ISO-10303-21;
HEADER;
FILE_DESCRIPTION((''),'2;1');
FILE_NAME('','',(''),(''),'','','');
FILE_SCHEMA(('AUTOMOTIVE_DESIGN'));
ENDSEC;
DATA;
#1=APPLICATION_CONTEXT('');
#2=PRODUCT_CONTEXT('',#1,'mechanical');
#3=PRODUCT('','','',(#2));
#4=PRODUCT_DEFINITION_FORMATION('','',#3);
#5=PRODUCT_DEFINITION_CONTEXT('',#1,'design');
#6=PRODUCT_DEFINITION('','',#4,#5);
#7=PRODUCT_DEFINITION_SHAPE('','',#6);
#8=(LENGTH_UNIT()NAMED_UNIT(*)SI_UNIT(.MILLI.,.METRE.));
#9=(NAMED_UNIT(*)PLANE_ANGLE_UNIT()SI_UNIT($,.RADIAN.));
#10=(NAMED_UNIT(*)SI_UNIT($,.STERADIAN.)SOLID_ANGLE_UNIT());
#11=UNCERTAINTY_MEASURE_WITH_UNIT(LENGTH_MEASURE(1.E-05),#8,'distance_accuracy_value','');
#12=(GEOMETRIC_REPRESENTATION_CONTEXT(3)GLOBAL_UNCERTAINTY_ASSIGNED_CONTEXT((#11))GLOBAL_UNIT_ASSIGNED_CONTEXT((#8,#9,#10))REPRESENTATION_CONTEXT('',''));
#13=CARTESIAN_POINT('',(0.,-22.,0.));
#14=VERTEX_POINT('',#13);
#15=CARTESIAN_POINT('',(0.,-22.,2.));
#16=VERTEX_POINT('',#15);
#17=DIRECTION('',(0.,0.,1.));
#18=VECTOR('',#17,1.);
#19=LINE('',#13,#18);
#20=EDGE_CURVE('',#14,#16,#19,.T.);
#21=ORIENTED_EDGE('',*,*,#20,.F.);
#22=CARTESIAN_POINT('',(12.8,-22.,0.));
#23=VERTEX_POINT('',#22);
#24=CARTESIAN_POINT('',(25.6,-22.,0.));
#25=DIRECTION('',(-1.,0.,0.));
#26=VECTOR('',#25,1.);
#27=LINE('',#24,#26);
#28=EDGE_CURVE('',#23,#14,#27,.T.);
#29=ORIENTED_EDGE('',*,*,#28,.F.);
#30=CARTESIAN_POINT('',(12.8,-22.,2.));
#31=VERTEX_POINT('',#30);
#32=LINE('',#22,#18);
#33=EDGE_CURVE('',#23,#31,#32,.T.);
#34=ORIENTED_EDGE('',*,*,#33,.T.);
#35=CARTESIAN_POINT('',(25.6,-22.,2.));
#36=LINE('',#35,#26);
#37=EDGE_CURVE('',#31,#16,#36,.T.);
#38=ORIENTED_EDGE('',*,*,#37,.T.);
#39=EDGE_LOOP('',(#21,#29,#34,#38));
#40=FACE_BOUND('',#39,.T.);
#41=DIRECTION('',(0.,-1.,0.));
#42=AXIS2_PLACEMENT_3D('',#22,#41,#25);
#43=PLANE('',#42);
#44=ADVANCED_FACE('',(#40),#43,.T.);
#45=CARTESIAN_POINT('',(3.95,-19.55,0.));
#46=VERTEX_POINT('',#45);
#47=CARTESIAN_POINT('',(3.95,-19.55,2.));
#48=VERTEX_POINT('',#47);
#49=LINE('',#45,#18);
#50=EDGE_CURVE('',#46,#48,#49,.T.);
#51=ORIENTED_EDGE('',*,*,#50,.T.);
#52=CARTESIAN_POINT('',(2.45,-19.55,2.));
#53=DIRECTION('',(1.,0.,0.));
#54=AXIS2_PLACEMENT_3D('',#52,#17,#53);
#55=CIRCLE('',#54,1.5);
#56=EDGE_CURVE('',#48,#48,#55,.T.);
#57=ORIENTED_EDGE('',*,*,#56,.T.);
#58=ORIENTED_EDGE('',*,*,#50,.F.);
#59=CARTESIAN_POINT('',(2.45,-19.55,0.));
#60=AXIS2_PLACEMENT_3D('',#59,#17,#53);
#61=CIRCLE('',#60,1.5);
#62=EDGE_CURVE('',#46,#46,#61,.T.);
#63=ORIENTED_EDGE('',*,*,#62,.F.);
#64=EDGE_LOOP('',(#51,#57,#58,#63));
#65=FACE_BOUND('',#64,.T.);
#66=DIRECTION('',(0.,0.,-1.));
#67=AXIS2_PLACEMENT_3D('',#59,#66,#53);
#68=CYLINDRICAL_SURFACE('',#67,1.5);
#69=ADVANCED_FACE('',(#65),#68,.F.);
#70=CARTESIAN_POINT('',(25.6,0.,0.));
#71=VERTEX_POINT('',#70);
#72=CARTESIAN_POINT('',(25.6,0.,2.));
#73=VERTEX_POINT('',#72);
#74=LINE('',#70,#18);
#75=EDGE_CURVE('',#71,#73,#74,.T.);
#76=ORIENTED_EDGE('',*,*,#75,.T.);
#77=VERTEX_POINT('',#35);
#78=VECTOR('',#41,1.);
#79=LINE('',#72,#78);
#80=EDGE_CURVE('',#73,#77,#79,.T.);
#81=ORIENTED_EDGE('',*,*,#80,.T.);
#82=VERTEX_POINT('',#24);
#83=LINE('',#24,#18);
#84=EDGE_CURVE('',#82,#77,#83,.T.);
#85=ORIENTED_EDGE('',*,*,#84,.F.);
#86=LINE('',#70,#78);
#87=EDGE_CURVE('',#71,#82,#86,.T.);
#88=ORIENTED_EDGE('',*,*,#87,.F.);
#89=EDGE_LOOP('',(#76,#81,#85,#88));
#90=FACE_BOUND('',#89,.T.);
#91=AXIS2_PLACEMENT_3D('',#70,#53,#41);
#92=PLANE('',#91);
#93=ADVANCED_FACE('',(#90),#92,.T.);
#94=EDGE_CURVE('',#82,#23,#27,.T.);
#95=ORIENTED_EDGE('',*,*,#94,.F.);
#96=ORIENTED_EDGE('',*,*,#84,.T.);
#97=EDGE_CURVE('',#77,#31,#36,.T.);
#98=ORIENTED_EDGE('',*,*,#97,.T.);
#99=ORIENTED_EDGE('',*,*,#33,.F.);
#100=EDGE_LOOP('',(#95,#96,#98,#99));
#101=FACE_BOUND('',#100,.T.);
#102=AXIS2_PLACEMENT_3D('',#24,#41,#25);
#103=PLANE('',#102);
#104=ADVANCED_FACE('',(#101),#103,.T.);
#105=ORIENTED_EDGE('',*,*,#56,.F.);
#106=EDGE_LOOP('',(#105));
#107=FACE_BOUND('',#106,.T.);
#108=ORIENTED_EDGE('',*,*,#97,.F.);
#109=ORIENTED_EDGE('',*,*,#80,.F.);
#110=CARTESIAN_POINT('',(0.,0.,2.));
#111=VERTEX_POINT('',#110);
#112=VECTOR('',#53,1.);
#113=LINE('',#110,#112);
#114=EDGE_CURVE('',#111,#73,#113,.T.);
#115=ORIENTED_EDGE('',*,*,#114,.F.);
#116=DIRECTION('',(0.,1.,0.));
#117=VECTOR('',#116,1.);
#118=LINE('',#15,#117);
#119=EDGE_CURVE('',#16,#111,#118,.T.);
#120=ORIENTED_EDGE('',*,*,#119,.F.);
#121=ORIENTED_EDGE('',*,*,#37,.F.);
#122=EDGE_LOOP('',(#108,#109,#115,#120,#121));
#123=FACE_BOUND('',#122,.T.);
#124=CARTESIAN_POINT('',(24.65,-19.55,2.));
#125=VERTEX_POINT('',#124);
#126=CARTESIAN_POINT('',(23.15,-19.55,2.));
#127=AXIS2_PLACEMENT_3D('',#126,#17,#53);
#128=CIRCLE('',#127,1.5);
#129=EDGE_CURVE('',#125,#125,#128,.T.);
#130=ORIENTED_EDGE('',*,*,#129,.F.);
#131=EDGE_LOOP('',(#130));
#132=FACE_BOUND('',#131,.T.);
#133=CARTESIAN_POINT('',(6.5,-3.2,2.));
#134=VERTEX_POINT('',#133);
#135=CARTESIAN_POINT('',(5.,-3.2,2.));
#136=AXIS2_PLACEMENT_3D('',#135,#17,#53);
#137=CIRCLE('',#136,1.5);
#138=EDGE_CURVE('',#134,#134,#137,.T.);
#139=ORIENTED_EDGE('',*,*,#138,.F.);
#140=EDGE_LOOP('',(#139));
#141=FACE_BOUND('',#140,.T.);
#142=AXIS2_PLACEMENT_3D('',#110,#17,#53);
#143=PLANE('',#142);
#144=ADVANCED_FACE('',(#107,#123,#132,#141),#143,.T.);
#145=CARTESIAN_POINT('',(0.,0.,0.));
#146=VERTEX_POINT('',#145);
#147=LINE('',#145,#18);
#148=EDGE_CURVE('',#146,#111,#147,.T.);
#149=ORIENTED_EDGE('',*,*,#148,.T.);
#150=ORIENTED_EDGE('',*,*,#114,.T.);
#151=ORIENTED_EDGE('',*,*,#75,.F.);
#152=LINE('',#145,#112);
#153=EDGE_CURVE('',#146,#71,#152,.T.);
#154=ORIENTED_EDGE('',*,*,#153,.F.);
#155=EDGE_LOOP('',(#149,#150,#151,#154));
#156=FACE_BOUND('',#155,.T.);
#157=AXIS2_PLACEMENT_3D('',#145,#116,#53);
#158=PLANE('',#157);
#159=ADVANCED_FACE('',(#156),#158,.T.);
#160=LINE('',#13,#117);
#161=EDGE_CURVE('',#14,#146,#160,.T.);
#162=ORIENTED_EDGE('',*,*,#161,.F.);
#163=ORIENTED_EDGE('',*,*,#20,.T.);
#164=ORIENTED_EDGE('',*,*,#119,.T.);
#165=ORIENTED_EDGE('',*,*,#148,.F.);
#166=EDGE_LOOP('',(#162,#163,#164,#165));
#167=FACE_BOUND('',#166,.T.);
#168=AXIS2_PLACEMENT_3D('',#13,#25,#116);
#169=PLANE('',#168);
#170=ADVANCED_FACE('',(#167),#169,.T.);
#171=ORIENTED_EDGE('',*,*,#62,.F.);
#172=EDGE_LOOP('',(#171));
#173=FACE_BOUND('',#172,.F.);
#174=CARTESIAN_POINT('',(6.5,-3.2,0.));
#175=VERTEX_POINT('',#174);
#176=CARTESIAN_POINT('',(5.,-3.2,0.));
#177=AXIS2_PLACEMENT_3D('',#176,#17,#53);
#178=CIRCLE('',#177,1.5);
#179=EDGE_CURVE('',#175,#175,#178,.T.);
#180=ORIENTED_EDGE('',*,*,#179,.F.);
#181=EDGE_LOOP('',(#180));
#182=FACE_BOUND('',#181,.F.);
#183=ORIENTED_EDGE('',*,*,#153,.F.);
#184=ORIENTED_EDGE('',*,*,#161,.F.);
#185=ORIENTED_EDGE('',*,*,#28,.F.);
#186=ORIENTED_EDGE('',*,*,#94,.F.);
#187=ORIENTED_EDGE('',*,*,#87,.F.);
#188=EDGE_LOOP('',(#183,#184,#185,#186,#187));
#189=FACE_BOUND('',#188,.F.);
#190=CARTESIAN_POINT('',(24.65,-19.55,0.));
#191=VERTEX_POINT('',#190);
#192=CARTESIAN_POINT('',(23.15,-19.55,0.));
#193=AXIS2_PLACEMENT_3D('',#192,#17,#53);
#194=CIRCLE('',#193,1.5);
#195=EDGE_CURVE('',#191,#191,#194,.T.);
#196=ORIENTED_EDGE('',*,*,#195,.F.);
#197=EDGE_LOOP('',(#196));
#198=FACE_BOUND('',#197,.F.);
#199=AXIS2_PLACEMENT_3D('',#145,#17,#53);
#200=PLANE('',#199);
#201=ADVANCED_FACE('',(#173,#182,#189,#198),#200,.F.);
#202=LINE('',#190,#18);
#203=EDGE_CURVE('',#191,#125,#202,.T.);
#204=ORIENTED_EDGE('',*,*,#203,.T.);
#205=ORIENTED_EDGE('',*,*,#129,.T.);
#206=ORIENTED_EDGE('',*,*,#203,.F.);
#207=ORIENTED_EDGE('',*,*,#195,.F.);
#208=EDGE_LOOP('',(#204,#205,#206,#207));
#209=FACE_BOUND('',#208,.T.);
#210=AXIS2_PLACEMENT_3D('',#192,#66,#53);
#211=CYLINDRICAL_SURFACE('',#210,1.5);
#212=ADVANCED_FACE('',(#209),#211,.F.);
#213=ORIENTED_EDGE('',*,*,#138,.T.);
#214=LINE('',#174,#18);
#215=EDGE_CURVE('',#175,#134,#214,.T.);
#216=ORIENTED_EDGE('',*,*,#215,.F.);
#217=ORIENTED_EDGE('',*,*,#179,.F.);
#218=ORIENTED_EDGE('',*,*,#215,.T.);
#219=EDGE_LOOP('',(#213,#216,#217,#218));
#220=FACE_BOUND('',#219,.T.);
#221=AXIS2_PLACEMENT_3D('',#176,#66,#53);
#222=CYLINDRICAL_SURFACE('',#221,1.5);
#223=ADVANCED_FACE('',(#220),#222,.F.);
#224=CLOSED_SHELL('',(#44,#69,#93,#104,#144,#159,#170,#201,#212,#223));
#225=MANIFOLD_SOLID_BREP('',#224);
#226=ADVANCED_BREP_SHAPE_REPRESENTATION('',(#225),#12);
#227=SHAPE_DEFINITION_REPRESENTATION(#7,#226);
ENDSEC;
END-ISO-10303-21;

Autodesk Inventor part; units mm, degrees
ref_plane "YZ Plane" through (0, 0, 0) normal (1, 0, 0) x (0, 1, 0)
ref_plane "XZ Plane" through (0, 0, 0) normal (0, 1, 0) x (-1, 0, 0)
ref_plane "XY Plane" through (0, 0, 0) normal (0, 0, 1) x (1, 0, 0)
sketch "Sketch1" plane through (0, 0, 0) normal (0, 0, 1) x (1, 0, 0)
  line L0 (0, 0) -> (25.6, 0)
  line L1 (25.6, 0) -> (25.6, -22)
  line L2 (25.6, -22) -> (0, -22)
  line L3 (0, -22) -> (0, 0)
  circle A0 centre (2.45, -19.55) radius 1.5
  line L4 (12.8, -22) -> (12.8, -20.4874)
  circle A1 centre (23.15, -19.55) radius 1.5
  circle A2 centre (5, -3.2) radius 1.5
  dimension "d0" = 25.6
  dimension "d1" = 22
  dimension "d2" = 3
  dimension "d3" = 2.45
  dimension "d4" = 2.45
  dimension "d5" = 3.2
  dimension "d6" = 3
extrude "Extrusion1" add sketch "Sketch1" along normal blind 2
properties part number "Plate_SEN_Current_sensor"
